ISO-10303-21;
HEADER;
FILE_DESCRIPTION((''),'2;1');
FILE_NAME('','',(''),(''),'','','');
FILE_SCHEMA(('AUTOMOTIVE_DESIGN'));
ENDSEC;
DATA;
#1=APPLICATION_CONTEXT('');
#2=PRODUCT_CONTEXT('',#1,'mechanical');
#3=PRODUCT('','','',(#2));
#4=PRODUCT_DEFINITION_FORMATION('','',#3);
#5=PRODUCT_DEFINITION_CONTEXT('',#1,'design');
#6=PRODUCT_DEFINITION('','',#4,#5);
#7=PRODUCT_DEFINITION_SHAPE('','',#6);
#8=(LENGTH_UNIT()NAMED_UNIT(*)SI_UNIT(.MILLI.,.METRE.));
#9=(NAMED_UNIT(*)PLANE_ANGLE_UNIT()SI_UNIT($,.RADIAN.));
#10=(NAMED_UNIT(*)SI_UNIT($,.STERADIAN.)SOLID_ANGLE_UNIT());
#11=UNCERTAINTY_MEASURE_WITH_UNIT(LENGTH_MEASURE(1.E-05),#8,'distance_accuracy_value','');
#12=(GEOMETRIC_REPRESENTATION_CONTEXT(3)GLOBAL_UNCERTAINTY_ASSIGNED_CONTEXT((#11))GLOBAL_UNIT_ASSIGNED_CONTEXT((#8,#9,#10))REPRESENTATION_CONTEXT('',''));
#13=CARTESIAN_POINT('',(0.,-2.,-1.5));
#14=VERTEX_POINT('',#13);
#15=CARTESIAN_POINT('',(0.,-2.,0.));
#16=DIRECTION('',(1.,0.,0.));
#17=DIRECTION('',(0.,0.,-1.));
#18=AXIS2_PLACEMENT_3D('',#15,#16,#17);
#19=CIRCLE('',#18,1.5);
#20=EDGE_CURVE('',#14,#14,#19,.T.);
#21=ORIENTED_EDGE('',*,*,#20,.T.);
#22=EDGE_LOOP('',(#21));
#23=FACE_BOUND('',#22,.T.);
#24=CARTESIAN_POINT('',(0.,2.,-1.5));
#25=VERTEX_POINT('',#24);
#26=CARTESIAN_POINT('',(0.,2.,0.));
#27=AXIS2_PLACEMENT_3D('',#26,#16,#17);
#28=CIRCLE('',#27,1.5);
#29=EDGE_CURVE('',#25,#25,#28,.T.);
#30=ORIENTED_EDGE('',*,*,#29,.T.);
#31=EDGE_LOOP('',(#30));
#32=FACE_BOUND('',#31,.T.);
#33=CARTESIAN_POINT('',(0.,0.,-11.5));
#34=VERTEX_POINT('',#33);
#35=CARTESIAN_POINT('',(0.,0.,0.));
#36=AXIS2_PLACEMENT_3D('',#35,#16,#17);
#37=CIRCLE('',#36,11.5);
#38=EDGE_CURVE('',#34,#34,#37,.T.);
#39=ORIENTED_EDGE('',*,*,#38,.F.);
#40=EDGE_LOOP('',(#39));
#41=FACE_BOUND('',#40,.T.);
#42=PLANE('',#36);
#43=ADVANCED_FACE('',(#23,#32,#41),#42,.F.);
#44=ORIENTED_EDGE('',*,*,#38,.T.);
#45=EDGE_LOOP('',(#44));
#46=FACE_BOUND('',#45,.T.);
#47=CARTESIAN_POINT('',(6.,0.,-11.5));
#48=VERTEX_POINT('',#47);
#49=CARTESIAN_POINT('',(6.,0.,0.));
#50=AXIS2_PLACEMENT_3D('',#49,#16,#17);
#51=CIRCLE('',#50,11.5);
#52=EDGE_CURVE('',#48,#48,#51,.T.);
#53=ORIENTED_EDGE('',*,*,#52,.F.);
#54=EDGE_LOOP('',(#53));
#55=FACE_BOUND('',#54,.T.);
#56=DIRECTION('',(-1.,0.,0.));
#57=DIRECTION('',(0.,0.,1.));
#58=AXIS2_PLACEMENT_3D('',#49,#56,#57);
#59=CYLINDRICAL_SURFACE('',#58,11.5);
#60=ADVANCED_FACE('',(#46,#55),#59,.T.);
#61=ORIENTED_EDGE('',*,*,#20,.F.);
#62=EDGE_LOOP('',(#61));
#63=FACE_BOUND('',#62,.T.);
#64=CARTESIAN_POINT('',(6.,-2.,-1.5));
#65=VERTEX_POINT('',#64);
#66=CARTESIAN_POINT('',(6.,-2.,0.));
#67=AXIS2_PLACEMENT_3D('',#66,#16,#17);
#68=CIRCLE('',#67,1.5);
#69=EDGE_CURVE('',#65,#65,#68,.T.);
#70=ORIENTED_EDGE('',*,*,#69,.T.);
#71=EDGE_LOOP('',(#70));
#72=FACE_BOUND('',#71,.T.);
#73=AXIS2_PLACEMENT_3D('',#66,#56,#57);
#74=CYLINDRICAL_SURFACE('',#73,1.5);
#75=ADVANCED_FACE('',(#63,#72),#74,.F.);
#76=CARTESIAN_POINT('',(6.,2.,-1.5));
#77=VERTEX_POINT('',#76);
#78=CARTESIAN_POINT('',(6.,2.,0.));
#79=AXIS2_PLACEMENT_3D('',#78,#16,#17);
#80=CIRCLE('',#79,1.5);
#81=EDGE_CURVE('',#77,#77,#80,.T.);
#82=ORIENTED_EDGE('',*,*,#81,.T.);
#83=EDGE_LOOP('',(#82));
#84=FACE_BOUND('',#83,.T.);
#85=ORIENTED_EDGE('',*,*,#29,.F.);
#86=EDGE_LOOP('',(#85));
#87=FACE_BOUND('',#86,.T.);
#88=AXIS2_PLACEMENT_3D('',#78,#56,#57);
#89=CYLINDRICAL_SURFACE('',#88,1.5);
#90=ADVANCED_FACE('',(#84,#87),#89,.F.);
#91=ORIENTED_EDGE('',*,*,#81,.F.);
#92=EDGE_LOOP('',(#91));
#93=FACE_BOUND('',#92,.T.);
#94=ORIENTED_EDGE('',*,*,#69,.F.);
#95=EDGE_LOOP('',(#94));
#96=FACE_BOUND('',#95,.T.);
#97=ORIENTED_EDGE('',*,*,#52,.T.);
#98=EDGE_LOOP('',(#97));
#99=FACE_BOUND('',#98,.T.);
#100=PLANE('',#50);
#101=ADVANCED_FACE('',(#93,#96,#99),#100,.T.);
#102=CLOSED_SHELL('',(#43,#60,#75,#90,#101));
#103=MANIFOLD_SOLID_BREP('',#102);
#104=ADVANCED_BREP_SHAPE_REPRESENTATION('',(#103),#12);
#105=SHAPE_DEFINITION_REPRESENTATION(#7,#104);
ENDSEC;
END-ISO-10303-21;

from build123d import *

# Parameters (mm, degrees)
SKETCH1_R           = 11.5
SKETCH1_R_2         = 1.5
BOSS_EXTRUDE1_DEPTH = 6


with BuildPart() as part:
    # Sketch1 → Boss-Extrude1 (new body)
    with BuildSketch(Plane(origin=(0, 0, 0), x_dir=(0, 0, -1), z_dir=(1, 0, 0))):
        Circle(SKETCH1_R)
        with Locations((0, 2)):
            Circle(SKETCH1_R_2, mode=Mode.SUBTRACT)
        with Locations((0, -2)):
            Circle(SKETCH1_R_2, mode=Mode.SUBTRACT)
    extrude(amount=BOSS_EXTRUDE1_DEPTH)


solid = part.part
